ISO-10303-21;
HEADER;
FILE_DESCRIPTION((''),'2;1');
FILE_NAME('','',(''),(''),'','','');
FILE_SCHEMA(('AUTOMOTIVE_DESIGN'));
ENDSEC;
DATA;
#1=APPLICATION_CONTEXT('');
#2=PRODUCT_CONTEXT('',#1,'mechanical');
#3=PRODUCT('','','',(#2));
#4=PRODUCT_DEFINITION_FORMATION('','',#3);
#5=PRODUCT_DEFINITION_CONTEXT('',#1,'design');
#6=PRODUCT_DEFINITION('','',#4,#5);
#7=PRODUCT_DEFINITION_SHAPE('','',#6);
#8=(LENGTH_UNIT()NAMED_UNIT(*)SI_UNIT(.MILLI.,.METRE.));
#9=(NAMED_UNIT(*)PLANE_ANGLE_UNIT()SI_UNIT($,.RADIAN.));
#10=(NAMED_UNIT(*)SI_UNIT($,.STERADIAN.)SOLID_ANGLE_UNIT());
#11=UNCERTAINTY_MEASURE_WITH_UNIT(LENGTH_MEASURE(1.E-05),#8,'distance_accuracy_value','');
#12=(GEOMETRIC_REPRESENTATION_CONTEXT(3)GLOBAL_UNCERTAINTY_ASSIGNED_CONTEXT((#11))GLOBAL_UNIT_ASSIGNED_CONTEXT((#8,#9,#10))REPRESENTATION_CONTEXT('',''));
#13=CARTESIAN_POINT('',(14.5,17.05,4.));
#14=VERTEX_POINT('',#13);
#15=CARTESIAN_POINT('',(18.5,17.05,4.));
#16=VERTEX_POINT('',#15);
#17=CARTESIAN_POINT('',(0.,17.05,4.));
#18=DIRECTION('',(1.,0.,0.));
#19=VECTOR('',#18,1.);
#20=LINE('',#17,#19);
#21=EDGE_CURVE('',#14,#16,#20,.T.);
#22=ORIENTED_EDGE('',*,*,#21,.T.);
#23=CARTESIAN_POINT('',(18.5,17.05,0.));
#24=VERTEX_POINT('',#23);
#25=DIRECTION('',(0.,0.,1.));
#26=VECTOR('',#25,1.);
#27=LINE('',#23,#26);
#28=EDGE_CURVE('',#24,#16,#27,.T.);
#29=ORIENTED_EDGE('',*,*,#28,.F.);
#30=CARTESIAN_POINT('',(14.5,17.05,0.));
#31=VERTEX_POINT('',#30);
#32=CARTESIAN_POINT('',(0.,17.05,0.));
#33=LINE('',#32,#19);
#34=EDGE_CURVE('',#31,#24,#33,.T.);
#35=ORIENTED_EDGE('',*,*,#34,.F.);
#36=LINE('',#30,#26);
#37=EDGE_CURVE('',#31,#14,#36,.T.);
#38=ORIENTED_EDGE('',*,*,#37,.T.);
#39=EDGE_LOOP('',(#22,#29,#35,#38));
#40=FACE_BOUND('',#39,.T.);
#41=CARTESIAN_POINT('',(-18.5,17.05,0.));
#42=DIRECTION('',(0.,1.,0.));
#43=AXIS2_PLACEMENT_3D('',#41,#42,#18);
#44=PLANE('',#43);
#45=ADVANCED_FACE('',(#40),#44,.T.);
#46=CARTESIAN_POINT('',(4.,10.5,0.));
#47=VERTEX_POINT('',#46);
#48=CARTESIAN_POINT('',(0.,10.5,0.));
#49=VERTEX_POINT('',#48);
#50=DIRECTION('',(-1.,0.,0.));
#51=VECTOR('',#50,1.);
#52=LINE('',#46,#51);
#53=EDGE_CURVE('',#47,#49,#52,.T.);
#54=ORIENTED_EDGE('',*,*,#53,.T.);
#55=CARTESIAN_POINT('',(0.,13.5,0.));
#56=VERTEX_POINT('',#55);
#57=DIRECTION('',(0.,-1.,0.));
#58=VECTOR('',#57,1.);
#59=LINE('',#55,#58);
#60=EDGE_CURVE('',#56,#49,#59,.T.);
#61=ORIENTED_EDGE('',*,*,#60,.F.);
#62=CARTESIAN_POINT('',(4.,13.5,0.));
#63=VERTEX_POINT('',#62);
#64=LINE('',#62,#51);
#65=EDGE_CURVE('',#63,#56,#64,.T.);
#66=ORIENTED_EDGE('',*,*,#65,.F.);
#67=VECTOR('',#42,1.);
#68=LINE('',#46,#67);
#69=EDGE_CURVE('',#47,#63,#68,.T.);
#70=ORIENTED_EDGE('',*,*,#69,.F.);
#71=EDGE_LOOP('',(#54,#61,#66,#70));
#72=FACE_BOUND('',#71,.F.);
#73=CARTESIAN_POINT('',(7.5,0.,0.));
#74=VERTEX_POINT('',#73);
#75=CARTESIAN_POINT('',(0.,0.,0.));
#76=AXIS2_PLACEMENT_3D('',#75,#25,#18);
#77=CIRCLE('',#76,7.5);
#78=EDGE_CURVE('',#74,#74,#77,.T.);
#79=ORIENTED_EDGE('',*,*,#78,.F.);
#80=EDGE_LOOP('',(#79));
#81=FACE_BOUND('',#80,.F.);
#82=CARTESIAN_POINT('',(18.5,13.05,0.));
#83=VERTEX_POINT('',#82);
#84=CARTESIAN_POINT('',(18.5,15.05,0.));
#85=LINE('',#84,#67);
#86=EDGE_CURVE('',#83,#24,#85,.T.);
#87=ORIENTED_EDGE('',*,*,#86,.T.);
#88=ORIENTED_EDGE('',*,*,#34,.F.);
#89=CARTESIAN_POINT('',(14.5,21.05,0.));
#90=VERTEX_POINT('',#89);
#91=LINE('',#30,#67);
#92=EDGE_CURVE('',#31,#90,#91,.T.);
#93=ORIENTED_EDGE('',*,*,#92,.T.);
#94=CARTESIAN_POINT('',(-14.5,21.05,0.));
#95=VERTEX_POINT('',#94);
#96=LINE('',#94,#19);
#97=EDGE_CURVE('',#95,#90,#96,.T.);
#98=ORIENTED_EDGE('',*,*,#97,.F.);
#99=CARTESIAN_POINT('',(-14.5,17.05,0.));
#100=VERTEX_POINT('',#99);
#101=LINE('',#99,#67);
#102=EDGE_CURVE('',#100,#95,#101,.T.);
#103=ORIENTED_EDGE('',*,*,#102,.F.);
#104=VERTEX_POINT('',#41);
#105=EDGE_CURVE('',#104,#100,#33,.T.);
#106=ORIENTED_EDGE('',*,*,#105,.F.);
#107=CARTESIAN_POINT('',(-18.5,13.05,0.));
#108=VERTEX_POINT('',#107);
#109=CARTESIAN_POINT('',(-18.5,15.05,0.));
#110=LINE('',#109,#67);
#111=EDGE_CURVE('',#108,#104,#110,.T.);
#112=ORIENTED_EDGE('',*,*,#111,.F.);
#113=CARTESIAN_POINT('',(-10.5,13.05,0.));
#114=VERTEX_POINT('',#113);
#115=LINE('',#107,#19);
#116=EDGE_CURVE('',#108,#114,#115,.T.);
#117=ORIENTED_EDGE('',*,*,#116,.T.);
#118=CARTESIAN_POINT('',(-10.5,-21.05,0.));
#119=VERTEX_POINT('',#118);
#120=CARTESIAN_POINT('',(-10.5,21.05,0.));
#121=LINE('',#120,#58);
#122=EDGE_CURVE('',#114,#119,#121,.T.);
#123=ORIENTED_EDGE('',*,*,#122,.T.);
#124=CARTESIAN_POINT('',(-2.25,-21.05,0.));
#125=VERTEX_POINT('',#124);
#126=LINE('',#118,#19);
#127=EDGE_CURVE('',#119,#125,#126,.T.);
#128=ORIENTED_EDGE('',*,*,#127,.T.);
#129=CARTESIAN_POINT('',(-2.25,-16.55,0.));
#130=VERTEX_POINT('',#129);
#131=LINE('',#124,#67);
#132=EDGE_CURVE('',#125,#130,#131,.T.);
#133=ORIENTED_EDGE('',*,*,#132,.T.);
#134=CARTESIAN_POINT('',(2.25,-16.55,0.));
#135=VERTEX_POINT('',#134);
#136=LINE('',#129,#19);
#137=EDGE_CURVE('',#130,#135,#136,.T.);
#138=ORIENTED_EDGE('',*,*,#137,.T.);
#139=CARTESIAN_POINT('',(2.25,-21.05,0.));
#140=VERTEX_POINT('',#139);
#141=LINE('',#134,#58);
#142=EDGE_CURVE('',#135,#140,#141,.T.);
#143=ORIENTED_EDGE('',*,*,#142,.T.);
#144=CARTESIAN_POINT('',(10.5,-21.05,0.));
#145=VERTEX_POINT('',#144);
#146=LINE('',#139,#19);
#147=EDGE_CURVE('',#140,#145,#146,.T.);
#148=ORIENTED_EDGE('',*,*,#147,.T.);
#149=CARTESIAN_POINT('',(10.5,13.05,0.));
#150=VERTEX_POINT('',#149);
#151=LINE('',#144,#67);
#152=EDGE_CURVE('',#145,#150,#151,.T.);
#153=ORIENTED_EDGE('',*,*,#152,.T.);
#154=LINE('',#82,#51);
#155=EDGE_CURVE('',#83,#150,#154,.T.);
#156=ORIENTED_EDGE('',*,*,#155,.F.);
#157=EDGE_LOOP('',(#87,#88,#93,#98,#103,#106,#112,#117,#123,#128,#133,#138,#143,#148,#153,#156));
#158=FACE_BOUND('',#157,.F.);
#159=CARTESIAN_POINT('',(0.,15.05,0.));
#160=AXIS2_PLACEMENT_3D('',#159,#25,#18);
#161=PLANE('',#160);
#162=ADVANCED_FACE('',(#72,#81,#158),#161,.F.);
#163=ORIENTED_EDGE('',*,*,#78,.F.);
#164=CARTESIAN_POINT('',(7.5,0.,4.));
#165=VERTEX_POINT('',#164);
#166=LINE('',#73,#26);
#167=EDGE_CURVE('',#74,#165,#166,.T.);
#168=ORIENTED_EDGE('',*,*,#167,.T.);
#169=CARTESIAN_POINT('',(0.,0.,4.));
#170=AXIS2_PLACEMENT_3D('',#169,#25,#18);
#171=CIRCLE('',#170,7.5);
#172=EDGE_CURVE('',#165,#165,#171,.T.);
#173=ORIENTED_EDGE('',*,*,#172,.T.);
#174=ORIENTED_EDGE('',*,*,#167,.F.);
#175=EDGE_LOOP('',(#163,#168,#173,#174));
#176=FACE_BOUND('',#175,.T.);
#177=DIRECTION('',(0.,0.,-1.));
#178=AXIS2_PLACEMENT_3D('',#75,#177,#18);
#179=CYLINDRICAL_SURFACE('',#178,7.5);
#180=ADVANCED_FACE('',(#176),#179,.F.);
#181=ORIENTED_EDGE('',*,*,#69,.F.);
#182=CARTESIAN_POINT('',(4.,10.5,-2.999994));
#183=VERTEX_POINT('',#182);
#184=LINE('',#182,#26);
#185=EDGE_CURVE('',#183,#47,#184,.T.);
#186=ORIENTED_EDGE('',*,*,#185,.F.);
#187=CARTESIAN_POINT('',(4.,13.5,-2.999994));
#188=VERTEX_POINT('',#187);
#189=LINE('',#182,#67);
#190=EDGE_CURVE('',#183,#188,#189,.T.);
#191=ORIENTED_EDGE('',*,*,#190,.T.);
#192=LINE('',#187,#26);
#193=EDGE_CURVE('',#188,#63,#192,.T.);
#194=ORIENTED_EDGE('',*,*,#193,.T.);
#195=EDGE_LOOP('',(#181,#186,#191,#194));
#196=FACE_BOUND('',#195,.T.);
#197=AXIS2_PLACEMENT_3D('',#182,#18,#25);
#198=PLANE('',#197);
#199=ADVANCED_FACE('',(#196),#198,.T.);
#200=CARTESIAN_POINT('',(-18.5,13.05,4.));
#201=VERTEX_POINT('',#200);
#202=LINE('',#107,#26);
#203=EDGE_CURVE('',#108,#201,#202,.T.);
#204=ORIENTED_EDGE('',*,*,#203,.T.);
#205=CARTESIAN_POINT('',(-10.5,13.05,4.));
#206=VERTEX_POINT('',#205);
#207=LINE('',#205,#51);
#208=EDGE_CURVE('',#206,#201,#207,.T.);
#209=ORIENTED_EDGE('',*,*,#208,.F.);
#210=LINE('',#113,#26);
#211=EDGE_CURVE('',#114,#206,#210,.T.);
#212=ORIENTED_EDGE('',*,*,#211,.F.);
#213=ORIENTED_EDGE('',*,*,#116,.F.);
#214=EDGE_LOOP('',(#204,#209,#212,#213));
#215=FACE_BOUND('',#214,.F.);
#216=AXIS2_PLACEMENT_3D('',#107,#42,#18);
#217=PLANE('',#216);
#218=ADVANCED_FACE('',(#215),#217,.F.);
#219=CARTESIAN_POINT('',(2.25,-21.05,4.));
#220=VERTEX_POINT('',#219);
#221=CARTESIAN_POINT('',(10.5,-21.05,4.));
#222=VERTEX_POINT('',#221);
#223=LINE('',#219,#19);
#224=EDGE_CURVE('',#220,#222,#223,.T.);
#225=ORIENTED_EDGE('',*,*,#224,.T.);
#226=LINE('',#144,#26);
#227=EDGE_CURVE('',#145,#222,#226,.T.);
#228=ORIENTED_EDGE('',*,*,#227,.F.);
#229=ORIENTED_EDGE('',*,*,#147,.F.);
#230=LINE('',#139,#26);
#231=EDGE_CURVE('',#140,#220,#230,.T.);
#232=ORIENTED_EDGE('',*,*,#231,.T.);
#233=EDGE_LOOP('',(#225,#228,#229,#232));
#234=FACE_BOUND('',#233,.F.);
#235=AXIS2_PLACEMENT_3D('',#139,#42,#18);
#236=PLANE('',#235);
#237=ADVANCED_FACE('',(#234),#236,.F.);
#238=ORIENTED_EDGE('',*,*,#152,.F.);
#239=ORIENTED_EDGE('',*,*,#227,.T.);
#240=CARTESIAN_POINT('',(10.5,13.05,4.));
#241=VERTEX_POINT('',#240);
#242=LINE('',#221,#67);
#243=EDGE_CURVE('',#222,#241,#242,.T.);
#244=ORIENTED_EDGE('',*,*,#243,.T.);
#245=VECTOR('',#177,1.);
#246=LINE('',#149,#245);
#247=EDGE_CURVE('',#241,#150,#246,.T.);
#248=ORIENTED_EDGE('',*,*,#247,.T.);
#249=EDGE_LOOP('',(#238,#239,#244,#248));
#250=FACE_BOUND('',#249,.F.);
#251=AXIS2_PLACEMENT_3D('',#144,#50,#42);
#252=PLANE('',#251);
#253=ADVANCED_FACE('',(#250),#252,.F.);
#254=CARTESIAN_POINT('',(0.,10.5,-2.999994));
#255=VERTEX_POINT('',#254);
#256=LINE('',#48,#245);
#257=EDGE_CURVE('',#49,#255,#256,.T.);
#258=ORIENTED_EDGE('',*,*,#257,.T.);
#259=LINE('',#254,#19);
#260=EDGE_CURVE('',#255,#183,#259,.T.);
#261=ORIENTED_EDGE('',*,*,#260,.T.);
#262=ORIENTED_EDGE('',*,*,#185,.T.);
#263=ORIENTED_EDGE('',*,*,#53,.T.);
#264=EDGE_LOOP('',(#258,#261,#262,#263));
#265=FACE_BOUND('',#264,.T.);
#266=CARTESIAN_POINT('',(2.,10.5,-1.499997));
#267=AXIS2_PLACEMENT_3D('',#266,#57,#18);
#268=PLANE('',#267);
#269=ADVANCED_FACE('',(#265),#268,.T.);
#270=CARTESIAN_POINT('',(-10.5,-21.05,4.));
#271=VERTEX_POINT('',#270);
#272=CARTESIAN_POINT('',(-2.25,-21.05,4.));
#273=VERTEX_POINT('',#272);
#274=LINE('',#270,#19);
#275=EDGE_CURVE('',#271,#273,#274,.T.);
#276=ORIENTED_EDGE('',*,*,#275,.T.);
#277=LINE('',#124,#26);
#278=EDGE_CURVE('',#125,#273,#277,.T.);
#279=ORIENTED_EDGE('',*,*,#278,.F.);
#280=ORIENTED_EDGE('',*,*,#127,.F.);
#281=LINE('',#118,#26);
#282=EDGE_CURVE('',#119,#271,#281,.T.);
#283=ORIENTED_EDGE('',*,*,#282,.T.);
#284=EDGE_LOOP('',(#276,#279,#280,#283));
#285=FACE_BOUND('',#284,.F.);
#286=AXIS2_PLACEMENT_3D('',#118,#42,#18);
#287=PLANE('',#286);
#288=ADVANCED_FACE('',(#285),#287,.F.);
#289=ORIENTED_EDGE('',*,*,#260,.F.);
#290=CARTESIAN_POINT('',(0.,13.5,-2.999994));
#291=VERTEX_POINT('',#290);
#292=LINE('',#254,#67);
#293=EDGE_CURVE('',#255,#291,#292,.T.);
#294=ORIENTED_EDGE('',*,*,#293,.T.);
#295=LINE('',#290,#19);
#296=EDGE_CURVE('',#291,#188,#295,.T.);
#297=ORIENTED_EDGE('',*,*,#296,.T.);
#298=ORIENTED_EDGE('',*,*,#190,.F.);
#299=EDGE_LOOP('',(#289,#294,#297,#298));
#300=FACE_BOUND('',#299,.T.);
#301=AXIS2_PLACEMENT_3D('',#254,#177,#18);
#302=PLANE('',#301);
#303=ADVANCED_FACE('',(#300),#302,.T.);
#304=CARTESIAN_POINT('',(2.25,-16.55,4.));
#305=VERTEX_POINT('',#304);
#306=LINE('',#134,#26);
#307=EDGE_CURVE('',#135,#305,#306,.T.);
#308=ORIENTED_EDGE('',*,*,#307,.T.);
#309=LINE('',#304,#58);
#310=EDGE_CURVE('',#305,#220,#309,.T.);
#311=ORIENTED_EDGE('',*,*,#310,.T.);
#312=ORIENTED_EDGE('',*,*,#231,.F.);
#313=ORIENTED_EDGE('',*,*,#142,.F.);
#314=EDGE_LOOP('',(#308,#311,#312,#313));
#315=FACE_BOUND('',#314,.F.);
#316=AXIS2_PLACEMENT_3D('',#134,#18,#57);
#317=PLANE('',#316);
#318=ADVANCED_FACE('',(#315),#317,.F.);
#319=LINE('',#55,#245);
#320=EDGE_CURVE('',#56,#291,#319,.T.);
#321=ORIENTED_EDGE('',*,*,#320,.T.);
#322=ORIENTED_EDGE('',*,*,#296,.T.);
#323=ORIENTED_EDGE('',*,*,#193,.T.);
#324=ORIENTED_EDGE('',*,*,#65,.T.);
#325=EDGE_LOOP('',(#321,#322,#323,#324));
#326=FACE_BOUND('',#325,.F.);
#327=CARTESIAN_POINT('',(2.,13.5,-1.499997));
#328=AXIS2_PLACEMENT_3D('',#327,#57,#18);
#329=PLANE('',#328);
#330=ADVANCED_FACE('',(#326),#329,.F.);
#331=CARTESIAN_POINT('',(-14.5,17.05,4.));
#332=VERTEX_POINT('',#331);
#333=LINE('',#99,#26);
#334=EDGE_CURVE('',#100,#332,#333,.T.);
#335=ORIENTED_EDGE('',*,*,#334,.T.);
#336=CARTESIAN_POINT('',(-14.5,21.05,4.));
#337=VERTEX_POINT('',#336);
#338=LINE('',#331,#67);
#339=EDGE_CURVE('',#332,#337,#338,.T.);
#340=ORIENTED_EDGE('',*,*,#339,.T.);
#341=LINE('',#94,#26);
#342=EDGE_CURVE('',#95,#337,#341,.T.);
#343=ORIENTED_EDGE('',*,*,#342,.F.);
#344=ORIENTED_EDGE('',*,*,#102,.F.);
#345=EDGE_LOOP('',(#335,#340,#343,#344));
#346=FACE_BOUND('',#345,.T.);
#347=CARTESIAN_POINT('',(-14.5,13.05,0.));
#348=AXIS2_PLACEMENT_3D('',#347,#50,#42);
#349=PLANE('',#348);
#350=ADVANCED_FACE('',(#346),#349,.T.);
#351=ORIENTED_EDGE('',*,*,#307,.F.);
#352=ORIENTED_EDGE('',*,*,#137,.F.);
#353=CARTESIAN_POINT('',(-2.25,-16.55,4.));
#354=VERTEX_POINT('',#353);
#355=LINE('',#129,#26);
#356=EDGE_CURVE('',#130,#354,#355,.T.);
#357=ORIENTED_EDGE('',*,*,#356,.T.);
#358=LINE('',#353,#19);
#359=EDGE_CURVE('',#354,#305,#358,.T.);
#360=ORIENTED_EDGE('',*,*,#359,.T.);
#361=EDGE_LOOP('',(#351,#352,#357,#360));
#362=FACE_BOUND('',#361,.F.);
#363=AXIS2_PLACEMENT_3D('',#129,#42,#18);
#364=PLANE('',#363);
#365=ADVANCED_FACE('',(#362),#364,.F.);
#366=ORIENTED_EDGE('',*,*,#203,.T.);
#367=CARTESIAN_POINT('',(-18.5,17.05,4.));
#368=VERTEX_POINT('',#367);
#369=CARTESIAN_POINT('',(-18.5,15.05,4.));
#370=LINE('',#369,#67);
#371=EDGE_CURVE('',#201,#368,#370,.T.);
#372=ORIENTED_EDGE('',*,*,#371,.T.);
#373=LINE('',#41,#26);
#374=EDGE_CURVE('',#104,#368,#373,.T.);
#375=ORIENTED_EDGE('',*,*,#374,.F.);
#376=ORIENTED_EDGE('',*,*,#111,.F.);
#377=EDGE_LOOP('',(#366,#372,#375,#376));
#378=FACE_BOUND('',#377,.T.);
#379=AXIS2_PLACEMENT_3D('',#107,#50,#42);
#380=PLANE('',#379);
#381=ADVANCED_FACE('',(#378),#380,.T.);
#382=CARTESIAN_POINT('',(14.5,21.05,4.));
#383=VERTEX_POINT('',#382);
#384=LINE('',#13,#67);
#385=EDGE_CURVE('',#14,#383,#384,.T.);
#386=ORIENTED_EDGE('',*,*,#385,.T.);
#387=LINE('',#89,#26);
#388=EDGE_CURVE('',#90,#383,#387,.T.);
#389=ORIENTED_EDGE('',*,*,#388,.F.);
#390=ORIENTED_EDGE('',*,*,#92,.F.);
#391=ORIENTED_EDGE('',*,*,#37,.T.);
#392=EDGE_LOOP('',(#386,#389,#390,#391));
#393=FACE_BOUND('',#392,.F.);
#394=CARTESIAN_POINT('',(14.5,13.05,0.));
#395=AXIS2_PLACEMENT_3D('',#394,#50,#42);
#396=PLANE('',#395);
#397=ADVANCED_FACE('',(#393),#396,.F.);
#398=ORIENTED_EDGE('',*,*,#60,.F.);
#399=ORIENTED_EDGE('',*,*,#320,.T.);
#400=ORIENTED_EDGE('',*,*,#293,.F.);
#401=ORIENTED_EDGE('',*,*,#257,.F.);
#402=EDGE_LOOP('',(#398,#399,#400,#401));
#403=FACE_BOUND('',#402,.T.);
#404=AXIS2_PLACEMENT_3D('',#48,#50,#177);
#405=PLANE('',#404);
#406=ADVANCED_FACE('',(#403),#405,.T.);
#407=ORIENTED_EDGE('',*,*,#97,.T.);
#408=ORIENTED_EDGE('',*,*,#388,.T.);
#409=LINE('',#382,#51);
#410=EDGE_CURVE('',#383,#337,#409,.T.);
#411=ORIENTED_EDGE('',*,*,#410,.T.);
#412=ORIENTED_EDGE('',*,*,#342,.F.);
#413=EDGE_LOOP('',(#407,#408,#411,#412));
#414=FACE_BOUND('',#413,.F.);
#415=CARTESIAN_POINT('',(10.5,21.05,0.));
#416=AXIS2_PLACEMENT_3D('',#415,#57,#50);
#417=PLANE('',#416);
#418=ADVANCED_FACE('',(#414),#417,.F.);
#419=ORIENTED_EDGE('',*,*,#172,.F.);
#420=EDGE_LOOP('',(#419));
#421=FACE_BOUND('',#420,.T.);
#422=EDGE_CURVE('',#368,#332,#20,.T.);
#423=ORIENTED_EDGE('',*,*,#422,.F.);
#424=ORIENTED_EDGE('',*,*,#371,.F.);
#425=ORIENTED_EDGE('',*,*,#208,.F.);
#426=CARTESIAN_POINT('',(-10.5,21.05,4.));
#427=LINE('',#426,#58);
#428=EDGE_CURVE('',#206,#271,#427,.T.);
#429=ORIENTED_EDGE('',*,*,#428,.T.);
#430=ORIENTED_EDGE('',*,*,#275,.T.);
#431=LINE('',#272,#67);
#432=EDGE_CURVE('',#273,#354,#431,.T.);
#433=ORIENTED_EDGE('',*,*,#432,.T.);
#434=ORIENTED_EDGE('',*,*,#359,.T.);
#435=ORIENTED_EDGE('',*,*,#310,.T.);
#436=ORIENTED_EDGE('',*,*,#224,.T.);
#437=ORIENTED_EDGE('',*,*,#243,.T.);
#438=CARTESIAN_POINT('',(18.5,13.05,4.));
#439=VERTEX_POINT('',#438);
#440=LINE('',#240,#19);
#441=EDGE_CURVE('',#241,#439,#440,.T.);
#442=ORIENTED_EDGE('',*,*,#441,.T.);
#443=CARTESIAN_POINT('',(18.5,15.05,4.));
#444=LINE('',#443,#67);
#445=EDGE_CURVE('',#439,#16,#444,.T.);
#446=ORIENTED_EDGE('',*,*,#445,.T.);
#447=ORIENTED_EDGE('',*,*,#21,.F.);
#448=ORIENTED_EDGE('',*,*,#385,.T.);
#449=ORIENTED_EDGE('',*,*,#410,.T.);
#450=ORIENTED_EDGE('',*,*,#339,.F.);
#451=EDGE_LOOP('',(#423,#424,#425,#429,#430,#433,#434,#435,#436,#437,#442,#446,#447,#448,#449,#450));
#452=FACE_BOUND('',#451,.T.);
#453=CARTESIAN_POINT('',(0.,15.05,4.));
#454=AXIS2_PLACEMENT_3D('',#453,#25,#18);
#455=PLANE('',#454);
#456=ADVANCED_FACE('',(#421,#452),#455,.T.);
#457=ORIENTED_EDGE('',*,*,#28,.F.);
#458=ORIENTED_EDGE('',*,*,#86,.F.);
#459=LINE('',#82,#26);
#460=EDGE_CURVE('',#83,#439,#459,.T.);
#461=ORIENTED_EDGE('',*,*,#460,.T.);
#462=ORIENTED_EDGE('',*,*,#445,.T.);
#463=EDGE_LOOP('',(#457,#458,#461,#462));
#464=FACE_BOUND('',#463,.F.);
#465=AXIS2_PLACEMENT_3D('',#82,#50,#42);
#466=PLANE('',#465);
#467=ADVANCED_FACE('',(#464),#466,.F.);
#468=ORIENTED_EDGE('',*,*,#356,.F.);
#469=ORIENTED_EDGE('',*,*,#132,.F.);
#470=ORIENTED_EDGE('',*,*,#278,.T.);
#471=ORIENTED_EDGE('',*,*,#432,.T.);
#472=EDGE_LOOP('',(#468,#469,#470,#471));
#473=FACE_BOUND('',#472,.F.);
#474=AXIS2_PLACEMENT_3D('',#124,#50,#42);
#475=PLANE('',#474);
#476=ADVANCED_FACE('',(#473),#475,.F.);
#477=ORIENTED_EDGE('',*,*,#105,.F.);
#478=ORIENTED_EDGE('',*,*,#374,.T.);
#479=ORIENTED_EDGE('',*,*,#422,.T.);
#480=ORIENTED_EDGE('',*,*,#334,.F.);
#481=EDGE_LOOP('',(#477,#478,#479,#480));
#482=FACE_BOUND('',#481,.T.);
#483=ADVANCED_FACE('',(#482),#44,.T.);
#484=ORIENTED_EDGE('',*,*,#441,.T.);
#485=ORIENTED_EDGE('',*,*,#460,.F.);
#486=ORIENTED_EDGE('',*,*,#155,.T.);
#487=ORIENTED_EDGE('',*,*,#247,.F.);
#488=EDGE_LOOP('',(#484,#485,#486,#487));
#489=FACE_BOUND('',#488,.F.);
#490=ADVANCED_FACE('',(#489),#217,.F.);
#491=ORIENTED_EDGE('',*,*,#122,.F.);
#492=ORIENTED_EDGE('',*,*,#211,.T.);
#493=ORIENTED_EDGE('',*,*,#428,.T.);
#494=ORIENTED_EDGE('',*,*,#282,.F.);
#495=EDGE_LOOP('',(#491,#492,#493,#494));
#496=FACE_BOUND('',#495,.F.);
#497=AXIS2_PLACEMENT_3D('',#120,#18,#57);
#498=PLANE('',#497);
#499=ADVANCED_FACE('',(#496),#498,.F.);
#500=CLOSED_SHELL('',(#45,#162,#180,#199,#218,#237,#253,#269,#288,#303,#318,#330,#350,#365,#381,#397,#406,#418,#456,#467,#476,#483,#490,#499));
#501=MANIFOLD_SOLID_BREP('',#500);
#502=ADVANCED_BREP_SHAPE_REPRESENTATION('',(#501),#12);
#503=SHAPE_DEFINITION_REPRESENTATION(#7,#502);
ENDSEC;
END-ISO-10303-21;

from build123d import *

# Parameters (mm, degrees)
F0_R     = 7.5
F2_DEPTH = 4
F1_W     = 37
F1_H     = 4
F3_DEPTH = 4
F5_START = -10.5
F5_DEPTH = 3
F6_W     = 29
F6_H     = 8
F7_DEPTH = 4


with BuildPart() as f2:
    # F0 (on Top) → F2 (new body)
    with BuildSketch(Plane.XY):
        Polygon((10.5, 21.05), (-10.5, 21.05), (-10.5, -21.05), (-2.25, -21.05), (-2.25, -16.55), (2.25, -16.55), (2.25, -21.05), (10.5, -21.05), align=None)
        Circle(F0_R, mode=Mode.SUBTRACT)
    extrude(amount=F2_DEPTH)

    # F1 (on Top) → F3 (join)
    with BuildSketch(Plane.XY):
        with Locations((0, 15.05)):
            Rectangle(F1_W, F1_H)
    extrude(amount=F3_DEPTH)

    # F4 (on Front) → F5 (join)
    with BuildSketch(Plane.XZ.offset(F5_START)):
        Polygon((4, -2.9999939919), (4, 0), (2, 0), (0, 0), (0, -2.9999939919), align=None)
    extrude(amount=-F5_DEPTH)

    # F6 (on Top) → F7 (join)
    with BuildSketch(Plane.XY):
        with Locations((0, 17.05)):
            Rectangle(F6_W, F6_H)
    extrude(amount=F7_DEPTH)


solid = f2.part
